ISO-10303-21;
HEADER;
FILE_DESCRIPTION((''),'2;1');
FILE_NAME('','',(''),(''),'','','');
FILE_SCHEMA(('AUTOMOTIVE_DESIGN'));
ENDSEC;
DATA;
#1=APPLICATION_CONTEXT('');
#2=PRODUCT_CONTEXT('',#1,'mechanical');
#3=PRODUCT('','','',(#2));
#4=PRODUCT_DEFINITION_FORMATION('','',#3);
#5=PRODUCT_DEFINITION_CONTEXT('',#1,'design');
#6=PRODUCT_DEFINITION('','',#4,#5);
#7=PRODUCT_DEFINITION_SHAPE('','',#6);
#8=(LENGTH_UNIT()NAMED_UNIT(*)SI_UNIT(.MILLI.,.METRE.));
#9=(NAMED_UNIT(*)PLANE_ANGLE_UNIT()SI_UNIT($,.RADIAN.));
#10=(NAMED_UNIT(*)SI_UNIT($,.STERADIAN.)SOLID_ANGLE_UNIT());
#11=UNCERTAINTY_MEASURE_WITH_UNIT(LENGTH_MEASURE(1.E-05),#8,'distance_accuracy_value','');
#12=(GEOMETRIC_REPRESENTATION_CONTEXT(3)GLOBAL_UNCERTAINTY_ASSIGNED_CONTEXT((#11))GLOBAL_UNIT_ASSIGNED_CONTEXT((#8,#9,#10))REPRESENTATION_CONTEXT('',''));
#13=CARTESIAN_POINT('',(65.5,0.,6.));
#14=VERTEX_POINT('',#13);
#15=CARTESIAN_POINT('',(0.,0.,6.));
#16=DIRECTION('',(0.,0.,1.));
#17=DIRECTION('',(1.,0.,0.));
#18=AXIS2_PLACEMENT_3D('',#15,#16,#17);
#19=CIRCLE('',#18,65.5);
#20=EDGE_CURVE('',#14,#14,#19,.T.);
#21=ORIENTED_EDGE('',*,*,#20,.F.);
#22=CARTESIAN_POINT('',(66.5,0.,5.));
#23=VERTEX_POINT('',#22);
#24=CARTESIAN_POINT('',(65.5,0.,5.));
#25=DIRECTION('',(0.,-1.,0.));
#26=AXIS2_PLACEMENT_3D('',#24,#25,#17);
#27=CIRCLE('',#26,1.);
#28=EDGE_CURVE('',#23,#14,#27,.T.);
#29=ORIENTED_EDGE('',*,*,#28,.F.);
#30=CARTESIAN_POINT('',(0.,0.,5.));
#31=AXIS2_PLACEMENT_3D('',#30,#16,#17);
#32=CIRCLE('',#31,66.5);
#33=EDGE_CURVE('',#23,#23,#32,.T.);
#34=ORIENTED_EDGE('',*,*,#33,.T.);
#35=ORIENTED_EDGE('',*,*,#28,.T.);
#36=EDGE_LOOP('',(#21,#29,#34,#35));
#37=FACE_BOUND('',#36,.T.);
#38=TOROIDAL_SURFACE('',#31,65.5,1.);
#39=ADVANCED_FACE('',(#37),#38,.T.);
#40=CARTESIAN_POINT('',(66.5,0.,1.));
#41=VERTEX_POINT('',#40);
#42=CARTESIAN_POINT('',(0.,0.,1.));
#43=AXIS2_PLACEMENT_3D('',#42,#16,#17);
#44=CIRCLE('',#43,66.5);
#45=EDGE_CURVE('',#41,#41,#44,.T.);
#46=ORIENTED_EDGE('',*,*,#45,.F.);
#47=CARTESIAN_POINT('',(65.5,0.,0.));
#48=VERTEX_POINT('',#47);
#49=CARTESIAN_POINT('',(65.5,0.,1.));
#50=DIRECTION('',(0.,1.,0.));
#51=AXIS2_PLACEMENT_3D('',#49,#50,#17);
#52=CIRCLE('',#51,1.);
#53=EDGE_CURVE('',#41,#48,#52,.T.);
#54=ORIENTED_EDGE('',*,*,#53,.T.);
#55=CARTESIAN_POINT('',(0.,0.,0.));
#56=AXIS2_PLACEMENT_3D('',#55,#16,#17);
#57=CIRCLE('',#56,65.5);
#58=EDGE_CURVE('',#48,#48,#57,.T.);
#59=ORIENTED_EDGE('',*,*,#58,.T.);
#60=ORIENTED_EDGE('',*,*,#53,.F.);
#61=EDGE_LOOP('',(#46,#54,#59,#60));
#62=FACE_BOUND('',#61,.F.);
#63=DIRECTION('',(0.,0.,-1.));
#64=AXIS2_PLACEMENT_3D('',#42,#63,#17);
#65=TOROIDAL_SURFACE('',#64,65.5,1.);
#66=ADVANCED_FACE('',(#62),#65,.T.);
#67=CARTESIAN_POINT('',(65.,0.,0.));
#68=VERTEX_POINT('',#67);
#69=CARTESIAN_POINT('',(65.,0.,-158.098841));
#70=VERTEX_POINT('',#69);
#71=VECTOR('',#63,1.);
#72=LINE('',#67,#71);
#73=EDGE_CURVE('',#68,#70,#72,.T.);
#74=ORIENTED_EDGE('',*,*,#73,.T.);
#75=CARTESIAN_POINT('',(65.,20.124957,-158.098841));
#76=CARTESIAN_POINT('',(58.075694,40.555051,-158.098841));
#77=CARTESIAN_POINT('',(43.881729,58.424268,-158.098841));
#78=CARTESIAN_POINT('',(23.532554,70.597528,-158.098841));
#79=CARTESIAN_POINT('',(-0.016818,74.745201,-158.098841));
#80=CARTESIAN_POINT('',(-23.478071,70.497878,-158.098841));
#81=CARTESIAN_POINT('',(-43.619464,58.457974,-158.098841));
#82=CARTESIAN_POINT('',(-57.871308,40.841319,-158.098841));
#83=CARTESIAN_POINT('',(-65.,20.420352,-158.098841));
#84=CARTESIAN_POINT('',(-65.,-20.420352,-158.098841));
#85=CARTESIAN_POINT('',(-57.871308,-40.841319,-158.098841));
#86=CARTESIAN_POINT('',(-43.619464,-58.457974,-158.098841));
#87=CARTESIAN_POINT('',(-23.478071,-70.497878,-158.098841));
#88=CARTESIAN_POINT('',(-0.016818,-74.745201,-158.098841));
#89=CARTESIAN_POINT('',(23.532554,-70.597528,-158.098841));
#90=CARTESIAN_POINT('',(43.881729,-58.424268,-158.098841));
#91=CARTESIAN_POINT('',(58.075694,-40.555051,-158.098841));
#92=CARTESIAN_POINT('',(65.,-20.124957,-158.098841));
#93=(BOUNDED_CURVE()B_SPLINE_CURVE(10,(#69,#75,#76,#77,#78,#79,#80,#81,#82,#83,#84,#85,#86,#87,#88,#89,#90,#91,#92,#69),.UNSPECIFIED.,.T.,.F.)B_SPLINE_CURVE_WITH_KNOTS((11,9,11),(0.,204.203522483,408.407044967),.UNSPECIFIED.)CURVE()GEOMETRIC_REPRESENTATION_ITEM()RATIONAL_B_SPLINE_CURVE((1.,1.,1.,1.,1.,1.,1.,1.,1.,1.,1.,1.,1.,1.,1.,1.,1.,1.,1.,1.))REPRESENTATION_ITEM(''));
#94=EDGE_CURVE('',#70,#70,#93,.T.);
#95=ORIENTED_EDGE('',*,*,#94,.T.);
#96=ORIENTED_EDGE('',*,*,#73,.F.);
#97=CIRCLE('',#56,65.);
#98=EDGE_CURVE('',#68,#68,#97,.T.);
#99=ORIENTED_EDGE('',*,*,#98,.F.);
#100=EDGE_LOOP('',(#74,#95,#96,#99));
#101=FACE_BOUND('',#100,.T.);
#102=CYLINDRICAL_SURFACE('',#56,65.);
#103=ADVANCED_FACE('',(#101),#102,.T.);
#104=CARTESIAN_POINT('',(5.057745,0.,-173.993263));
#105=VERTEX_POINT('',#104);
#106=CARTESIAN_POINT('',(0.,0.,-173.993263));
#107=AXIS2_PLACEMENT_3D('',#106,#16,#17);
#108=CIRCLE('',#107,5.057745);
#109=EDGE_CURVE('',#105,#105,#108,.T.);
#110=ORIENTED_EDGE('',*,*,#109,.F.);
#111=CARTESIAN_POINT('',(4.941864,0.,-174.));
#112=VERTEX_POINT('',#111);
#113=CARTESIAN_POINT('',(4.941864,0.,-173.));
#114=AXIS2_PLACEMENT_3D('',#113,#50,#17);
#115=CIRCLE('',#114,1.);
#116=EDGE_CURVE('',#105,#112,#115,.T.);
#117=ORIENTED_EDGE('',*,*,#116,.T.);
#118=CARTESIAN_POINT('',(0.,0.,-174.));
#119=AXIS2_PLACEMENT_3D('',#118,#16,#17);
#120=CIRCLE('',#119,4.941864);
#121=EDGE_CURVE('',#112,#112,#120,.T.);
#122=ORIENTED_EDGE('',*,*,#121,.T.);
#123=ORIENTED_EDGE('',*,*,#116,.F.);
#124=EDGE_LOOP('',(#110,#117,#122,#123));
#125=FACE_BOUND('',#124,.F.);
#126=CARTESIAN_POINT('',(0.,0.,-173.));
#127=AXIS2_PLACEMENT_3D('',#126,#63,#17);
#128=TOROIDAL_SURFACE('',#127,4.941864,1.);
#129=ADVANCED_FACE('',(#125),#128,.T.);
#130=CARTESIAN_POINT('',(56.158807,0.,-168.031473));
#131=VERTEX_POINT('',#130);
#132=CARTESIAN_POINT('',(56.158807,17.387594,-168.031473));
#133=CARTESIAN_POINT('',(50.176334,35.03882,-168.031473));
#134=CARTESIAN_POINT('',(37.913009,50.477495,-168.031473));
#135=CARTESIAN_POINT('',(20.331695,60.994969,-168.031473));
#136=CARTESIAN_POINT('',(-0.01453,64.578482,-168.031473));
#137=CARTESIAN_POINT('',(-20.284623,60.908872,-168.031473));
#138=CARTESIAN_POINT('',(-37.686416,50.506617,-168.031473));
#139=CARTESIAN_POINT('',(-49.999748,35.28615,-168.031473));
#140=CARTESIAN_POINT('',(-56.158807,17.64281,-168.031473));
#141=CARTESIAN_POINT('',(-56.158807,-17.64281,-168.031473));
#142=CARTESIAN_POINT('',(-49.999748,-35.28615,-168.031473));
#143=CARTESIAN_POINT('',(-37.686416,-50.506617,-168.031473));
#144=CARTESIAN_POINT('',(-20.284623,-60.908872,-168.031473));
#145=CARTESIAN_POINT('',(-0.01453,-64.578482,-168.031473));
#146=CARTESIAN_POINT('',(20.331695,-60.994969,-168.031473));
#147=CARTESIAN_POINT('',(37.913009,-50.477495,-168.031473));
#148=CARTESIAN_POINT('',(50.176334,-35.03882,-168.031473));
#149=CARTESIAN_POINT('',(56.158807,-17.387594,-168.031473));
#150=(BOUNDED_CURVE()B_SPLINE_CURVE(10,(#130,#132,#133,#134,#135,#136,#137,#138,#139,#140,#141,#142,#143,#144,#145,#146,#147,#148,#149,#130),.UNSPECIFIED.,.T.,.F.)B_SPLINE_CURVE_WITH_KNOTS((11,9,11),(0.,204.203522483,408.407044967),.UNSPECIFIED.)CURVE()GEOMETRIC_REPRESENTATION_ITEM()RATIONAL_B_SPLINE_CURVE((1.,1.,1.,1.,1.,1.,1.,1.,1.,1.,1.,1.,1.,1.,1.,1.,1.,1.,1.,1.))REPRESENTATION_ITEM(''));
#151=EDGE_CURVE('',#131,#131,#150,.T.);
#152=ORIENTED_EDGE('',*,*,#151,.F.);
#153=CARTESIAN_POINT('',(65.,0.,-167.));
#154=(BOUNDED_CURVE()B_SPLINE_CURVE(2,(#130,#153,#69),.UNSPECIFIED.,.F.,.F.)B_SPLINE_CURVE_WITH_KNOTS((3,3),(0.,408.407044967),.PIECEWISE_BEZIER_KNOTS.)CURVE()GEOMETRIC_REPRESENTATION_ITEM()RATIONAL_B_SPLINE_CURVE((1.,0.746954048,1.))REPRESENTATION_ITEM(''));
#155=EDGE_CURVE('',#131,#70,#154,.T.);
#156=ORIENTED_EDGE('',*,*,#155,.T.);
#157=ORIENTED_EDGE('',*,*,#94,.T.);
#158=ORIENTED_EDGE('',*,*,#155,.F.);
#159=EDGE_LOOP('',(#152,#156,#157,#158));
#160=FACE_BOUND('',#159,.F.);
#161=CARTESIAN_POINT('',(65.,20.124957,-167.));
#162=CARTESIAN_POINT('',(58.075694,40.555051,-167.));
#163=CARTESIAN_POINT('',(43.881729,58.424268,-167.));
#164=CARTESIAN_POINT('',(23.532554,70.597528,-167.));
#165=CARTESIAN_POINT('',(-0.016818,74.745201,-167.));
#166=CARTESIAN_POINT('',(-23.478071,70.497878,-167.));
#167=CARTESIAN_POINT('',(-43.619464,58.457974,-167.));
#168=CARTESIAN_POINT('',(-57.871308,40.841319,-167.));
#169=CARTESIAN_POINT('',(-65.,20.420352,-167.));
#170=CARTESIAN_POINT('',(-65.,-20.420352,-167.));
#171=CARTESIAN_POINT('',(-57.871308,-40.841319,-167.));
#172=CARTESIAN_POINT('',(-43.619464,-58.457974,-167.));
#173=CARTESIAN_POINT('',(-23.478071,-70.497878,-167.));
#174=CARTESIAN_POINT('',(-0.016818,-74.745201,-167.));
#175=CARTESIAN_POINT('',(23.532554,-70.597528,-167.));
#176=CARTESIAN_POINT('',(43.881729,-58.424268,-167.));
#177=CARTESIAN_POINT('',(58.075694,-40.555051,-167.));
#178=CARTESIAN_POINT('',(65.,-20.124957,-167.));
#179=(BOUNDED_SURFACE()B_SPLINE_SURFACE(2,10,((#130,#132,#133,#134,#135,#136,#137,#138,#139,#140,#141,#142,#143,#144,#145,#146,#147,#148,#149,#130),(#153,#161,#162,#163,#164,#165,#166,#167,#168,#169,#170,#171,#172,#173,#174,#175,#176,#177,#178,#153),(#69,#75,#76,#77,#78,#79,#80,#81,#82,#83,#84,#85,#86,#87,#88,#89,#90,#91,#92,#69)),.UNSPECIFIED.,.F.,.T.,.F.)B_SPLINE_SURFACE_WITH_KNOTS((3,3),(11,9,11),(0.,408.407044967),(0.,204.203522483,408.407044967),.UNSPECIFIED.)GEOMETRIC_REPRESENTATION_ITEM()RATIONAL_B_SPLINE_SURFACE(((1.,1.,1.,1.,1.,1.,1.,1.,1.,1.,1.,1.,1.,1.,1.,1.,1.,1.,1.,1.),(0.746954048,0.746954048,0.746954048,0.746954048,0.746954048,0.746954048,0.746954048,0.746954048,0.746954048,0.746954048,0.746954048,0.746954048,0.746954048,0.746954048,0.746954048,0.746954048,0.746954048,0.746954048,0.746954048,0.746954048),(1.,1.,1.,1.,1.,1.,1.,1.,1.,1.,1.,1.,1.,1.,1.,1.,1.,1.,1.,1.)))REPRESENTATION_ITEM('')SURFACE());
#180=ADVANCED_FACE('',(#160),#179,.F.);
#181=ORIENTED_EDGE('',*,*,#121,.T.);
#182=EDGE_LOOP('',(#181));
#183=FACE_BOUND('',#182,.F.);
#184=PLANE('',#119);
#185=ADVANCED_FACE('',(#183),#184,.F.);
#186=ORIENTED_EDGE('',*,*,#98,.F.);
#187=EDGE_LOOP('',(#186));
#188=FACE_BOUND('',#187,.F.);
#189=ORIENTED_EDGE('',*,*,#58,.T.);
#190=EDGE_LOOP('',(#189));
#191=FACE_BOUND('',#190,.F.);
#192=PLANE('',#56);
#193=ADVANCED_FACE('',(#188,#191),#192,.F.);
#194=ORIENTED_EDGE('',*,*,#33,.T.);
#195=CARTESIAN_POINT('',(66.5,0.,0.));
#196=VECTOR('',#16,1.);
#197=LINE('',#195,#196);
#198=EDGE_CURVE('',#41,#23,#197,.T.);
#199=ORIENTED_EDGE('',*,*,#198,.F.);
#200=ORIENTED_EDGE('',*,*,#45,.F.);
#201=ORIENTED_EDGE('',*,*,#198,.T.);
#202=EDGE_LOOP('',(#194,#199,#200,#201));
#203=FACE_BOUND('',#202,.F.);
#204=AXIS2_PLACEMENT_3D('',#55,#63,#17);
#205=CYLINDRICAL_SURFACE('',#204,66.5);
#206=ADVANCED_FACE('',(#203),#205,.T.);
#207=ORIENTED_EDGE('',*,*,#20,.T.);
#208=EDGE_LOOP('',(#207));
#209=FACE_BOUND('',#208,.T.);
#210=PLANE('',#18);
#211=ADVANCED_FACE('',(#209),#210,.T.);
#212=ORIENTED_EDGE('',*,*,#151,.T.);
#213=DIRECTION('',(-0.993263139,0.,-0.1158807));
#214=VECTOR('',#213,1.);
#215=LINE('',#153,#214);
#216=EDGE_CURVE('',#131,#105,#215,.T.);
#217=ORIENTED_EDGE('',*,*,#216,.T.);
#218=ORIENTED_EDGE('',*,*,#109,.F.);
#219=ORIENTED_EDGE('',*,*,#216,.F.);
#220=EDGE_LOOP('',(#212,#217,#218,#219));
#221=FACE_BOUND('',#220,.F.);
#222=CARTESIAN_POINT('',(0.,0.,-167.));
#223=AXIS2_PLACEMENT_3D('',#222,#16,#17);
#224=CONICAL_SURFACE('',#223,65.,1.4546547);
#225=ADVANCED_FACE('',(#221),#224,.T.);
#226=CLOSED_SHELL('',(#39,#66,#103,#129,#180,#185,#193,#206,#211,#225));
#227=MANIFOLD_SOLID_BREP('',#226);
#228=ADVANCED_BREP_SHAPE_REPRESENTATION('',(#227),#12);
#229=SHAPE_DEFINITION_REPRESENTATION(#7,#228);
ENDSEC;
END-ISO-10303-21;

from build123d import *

# Parameters (mm, degrees)
F0_R     = 65
F1_DEPTH = 174
F2_SIZE2 = 60
F2_SIZE  = 7
F3_R     = 1
F4_R     = 10
F5_R     = 66.5
F5_R_2   = 65
F6_DEPTH = 6
F7_R     = 1


with BuildPart() as f1:
    # F0 (on Top) → F1 (new body)
    with BuildSketch(Plane.XY):
        Circle(F0_R)
    extrude(amount=-F1_DEPTH)

    # F2
    f2_edges = [f1.edges().sort_by_distance(p)[0] for p in [
        (-65, 0, -174),
    ]]
    f2_side = f1.faces().sort_by_distance((-65, 0, -87))[0]
    chamfer(f2_edges, length=F2_SIZE, length2=F2_SIZE2, reference=f2_side)

    # F3
    f3_edges = [f1.edges().sort_by_distance(p)[0] for p in [
        (-5, 0, -174),
    ]]
    fillet(f3_edges, radius=F3_R)

    # F4
    f4_edges = [f1.edges().sort_by_distance(p)[0] for p in [
        (-65, 0, -167),
    ]]
    fillet(f4_edges, radius=F4_R)

    # F5 (on face) → F6 (join)
    with BuildSketch(Plane.XY):
        Circle(F5_R)
        Circle(F5_R_2, mode=Mode.SUBTRACT)
        Circle(F5_R_2)
    extrude(amount=F6_DEPTH)

    # F7
    f7_edges = [f1.edges().sort_by_distance(p)[0] for p in [
        (-66.5, 0, 6),
        (-66.5, 0, 0),
    ]]
    fillet(f7_edges, radius=F7_R)


solid = f1.part
